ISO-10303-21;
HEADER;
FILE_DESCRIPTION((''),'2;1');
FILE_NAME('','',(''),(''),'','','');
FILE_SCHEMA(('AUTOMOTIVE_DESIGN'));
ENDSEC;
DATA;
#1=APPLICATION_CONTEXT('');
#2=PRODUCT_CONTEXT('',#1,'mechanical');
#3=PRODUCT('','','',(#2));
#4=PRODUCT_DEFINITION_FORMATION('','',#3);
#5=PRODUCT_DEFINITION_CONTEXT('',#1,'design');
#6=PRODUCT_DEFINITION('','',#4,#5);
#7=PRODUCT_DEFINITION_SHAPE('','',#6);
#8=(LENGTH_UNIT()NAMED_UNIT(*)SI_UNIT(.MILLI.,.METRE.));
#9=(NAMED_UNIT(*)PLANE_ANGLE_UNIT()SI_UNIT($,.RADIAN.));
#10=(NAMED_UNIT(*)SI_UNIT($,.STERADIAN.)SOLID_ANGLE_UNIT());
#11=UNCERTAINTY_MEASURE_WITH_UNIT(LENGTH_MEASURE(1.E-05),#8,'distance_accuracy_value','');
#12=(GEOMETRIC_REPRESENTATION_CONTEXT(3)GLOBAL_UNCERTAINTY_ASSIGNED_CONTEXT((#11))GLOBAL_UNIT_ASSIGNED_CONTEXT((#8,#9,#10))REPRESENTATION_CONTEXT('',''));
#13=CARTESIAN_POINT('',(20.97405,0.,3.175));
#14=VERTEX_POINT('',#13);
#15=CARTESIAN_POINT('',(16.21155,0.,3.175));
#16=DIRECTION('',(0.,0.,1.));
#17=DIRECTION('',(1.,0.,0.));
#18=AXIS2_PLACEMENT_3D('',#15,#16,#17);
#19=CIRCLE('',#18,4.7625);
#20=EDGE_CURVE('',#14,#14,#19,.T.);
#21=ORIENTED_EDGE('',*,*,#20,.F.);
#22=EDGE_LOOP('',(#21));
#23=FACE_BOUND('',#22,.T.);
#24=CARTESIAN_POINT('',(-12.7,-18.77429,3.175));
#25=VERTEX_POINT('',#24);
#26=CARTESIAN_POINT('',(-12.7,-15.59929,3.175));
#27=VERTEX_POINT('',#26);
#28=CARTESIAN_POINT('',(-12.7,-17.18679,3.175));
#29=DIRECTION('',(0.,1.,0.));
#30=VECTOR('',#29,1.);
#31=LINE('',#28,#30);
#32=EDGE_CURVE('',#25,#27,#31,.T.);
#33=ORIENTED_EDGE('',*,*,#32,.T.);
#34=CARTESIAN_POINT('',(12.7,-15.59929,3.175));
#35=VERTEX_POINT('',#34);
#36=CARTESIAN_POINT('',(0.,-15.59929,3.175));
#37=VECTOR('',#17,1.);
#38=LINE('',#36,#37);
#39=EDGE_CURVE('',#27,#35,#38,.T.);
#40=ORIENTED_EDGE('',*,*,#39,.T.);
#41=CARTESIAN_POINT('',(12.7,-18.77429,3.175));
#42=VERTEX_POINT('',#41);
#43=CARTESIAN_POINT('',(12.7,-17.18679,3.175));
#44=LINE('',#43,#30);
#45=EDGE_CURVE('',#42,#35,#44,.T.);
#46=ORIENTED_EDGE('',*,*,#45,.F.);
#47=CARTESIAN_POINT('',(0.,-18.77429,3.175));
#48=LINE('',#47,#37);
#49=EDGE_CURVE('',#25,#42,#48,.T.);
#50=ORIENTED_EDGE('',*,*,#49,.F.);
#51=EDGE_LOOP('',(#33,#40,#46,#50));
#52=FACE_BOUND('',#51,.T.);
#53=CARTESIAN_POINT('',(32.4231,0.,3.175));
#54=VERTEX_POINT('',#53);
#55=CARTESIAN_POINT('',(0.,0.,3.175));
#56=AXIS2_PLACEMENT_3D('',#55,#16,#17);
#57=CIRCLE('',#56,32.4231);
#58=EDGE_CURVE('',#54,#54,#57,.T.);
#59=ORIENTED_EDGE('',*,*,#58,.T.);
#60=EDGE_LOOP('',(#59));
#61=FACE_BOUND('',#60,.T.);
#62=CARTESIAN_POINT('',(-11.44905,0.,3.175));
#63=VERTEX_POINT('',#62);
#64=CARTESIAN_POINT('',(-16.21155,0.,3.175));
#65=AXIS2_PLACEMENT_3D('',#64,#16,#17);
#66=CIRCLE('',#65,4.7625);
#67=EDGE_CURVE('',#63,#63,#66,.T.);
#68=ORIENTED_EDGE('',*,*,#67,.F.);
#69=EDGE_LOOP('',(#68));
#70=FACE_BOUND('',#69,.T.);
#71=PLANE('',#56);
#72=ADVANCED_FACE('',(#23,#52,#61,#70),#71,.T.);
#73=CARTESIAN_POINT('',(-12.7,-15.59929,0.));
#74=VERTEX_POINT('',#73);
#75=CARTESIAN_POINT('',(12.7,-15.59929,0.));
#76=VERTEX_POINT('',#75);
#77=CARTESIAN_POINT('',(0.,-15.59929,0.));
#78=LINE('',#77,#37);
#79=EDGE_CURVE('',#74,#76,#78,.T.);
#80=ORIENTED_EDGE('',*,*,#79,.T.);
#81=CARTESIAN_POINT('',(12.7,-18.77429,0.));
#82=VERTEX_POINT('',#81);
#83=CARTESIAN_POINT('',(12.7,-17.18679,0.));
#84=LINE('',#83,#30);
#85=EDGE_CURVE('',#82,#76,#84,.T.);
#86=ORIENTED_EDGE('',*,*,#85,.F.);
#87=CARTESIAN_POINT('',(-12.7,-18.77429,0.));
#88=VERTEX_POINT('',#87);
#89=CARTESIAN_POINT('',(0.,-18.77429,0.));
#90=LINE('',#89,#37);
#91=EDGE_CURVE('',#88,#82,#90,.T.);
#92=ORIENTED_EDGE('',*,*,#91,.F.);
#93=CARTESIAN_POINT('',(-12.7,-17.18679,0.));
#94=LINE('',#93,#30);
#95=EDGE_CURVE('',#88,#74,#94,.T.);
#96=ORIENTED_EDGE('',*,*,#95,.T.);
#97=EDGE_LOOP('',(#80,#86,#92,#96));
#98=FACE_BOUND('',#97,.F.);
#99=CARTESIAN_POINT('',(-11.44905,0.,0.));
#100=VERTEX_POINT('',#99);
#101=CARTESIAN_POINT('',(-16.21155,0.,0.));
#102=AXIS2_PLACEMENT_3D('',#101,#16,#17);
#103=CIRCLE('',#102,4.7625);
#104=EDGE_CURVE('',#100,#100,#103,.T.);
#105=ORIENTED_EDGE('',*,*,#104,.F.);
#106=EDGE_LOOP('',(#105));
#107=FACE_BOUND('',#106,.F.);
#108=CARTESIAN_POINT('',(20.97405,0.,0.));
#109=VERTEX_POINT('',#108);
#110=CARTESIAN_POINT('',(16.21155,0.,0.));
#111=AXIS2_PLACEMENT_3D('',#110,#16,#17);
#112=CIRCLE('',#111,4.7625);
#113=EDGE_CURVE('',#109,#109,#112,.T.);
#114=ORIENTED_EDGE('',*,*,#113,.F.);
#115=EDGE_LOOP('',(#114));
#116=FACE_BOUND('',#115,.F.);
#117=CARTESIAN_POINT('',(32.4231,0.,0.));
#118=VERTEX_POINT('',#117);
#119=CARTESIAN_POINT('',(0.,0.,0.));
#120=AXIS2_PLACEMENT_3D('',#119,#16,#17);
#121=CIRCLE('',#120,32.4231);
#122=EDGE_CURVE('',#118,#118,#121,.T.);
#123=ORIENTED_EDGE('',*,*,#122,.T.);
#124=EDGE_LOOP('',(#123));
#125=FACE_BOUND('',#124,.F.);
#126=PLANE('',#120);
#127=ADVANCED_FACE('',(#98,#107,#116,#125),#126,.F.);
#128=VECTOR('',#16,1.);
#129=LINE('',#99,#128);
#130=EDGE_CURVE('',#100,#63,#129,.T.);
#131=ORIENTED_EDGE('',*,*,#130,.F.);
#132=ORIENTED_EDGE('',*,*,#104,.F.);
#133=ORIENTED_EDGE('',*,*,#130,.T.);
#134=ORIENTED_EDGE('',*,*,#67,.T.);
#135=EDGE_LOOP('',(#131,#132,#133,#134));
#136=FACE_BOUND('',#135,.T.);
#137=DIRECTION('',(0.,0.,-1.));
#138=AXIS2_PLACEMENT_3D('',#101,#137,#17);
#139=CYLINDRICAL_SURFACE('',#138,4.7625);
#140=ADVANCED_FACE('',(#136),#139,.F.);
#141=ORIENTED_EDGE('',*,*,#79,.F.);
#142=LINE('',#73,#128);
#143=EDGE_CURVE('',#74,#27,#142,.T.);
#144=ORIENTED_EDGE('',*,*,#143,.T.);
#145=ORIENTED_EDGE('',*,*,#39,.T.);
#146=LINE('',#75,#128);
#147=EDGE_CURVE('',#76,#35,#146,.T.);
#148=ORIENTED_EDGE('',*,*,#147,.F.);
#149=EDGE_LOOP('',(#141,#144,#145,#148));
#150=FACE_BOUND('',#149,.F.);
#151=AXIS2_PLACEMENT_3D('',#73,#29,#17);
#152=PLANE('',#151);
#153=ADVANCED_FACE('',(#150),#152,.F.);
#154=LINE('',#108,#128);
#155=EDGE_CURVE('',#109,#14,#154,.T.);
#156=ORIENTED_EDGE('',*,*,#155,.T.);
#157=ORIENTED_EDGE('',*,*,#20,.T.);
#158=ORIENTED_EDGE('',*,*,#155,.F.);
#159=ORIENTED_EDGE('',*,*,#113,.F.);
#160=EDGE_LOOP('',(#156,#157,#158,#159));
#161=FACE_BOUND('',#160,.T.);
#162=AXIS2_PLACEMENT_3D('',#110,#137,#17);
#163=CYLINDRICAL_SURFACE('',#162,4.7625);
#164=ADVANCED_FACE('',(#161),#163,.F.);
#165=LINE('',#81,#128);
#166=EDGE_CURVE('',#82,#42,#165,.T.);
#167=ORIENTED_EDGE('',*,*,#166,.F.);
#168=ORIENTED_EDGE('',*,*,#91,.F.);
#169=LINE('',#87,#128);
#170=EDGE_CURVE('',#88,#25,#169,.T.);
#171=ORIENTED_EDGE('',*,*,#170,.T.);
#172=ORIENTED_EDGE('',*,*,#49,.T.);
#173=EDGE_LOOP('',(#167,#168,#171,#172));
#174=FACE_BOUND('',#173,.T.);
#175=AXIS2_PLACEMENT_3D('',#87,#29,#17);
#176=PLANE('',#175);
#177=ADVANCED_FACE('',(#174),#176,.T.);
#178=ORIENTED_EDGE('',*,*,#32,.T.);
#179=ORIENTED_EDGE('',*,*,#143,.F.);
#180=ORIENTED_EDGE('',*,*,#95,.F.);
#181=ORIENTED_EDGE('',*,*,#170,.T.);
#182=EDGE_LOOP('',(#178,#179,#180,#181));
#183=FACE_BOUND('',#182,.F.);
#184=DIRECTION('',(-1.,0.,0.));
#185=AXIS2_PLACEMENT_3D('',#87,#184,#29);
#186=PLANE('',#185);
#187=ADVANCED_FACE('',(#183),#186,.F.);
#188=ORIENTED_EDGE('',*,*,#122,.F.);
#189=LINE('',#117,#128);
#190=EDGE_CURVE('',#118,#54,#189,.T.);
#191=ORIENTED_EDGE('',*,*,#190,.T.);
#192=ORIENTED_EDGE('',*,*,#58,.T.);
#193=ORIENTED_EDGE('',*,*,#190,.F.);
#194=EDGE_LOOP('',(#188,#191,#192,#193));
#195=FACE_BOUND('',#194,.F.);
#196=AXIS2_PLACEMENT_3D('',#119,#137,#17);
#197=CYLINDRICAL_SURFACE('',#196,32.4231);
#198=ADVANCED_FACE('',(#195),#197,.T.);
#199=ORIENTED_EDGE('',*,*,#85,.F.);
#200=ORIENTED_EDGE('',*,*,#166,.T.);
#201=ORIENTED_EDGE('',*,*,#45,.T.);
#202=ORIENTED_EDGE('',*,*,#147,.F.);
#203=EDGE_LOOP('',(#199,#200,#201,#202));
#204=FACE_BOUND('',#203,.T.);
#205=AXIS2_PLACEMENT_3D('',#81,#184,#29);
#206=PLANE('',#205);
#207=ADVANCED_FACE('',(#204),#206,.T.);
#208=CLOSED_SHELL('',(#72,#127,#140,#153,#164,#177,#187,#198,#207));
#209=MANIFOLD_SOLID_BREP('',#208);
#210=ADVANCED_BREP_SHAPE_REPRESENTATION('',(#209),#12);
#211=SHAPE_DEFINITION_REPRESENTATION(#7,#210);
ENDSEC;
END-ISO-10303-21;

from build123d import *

# Parameters (mm, degrees)
F0_R     = 32.4231
F0_W     = 25.4
F0_H     = 3.175
F0_R_2   = 4.7625
F1_DEPTH = 3.175


with BuildPart() as f1:
    # F0 (on Top) → F1 (new body)
    with BuildSketch(Plane.XY):
        Circle(F0_R)
        with Locations((0, -17.18679)):
            Rectangle(F0_W, F0_H, mode=Mode.SUBTRACT)
        with Locations((-16.21155, 0)):
            Circle(F0_R_2, mode=Mode.SUBTRACT)
        with Locations((16.21155, 0)):
            Circle(F0_R_2, mode=Mode.SUBTRACT)
    extrude(amount=F1_DEPTH)


solid = f1.part
